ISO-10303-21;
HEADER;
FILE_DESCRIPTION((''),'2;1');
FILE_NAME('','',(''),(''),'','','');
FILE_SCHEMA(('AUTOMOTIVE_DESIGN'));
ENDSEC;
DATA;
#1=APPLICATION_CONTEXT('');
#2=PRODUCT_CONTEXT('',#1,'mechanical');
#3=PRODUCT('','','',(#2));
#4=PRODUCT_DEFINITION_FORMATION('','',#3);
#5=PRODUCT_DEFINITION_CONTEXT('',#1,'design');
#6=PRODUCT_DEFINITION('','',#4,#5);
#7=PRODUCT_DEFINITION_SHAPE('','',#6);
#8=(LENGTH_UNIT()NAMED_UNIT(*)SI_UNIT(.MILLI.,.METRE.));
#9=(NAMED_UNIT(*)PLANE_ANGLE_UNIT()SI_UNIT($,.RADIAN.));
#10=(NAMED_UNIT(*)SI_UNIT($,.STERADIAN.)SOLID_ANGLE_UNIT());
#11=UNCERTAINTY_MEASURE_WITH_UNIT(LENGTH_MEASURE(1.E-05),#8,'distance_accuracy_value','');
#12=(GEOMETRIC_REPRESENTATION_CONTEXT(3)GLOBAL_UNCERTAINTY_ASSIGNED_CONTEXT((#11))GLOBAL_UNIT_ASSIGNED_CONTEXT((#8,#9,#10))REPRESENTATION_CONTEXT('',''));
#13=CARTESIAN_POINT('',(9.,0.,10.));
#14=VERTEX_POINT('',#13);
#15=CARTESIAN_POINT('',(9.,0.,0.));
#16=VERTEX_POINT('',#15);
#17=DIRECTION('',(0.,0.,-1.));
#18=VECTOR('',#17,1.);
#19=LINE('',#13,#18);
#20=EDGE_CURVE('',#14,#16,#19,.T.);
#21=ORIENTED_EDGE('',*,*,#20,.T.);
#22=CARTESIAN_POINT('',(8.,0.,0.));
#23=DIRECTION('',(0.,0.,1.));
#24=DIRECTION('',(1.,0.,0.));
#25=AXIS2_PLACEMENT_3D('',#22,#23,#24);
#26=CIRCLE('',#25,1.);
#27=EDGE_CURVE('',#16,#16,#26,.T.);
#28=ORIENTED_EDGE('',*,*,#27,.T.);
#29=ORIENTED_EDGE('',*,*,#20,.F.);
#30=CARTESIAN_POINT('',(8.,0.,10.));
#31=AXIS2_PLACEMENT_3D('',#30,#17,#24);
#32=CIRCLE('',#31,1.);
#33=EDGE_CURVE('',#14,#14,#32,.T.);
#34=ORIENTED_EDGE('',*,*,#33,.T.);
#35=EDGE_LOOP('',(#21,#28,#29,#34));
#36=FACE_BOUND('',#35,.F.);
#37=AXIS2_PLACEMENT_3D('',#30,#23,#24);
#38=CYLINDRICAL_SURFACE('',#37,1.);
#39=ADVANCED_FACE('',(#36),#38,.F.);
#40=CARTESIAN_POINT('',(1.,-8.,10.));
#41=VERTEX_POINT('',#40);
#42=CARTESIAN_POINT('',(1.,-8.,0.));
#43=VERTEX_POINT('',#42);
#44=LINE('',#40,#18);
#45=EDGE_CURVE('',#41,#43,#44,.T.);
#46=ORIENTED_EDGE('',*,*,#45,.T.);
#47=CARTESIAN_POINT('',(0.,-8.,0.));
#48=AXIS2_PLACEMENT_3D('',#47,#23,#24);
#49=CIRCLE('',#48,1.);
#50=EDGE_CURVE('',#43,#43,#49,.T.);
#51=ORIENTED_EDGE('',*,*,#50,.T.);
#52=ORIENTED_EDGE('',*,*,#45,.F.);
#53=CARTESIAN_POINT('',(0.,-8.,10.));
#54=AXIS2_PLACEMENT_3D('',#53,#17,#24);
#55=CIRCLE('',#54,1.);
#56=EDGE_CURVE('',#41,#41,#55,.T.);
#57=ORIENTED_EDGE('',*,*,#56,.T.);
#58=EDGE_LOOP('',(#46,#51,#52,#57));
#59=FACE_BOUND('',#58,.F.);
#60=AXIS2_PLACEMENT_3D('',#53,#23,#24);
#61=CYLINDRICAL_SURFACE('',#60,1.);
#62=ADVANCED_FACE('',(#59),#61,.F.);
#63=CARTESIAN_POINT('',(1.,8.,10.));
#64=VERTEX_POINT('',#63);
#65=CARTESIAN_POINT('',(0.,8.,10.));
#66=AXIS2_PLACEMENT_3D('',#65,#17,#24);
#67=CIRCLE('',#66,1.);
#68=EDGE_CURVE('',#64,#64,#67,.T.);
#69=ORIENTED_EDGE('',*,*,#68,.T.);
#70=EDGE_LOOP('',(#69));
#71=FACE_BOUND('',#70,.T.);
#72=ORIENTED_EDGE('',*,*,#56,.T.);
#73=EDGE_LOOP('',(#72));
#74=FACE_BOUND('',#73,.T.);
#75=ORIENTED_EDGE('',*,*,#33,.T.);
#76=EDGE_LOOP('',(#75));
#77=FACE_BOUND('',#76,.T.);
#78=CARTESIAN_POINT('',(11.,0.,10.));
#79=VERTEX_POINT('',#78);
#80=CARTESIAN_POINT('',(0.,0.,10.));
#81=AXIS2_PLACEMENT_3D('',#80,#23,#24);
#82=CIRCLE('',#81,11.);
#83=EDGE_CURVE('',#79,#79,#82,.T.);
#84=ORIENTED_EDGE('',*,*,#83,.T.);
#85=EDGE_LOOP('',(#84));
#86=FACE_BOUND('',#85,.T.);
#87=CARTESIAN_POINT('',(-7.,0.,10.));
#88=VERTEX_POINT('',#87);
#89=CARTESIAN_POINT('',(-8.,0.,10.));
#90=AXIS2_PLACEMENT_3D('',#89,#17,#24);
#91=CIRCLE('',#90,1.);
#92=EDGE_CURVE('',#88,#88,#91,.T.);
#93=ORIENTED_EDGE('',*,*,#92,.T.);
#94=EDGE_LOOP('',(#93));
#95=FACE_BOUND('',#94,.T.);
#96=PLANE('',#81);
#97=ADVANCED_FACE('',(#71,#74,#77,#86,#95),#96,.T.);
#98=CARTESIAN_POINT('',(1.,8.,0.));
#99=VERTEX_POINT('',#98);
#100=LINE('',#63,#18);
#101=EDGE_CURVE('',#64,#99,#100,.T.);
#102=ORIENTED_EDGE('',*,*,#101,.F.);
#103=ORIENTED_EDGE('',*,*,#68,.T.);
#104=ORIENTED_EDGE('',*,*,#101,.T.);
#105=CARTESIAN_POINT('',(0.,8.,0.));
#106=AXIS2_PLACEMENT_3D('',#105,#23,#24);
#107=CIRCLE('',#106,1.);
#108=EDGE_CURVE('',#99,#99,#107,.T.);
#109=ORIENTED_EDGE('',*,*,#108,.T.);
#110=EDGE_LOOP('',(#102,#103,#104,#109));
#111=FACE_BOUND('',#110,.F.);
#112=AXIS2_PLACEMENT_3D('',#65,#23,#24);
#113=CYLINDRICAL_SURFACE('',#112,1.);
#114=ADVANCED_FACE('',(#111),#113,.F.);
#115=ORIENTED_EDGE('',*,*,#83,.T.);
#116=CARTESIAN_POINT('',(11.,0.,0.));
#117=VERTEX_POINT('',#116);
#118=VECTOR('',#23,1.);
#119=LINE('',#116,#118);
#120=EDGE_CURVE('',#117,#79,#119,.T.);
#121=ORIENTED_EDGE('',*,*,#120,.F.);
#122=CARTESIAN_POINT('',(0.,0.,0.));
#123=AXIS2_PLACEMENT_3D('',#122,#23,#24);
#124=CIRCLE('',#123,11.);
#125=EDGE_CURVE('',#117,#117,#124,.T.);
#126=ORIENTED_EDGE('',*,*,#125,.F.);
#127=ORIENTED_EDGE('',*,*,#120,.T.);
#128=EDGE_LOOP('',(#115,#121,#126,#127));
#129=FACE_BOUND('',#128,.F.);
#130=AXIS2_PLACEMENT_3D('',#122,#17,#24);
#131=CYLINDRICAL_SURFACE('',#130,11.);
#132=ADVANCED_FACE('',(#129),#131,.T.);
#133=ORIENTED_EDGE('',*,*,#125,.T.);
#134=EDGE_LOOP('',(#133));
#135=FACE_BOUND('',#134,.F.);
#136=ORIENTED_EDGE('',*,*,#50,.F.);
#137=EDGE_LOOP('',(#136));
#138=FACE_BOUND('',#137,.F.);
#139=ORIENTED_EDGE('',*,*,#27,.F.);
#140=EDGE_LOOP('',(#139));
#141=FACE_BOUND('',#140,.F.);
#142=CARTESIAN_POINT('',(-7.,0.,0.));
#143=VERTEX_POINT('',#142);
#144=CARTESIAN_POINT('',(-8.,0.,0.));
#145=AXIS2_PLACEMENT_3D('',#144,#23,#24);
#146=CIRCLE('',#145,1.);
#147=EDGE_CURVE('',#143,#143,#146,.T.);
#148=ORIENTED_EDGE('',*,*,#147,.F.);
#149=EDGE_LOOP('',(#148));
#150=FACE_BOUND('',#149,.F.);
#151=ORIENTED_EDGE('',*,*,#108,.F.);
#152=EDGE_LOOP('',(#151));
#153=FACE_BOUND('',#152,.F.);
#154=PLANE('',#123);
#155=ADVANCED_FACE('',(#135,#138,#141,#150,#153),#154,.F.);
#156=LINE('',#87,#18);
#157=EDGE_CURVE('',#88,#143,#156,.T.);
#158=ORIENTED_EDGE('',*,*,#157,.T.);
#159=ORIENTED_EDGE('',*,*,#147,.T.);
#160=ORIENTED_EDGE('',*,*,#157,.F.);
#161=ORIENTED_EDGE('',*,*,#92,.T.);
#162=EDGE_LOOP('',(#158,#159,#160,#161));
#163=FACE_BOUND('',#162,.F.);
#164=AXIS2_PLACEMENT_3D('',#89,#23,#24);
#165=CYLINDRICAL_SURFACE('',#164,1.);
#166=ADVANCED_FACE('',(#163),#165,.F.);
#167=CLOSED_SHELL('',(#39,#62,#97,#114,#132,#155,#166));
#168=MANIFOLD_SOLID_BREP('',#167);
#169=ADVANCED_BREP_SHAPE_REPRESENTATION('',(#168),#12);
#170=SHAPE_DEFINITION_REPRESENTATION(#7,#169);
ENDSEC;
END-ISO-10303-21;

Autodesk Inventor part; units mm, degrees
ref_plane "YZ Plane" through (0, 0, 0) normal (1, 0, 0) x (0, 1, 0)
ref_plane "XZ Plane" through (0, 0, 0) normal (0, 1, 0) x (-1, 0, 0)
ref_plane "XY Plane" through (0, 0, 0) normal (0, 0, 1) x (1, 0, 0)
sketch "Sketch1" plane through (0, 0, 0) normal (0, 0, 1) x (1, 0, 0)
  circle A0 centre (0, 0) radius 11
  dimension "d0" = 22
extrude "Extrusion1" add sketch "Sketch1" along normal blind 10
sketch "Sketch2" plane through (0, 0, 10) normal (0, 0, 1) x (1, 0, 0)
  circle A0 centre (0, 0) radius 11 projected
  circle A1 centre (0, 0) radius 8
  circle A2 centre (-8, 0) radius 1
  circle A3 centre (0, 8) radius 1
  circle A4 centre (8, 0) radius 1
  circle A5 centre (0, -8) radius 1
  dimension "d3" = 16
  dimension "d4" = 2
  dimension "d5" = 2
  dimension "d6" = 2
  dimension "d7" = 2
extrude "Extrusion2" cut sketch "Sketch2" against normal blind 10 contours A1 A4 | A1 A4 | A3 A1 | A1 A3 | A5 A1 | A1 A5 | A2 A1 | A1 A2
properties part number "basic2"
